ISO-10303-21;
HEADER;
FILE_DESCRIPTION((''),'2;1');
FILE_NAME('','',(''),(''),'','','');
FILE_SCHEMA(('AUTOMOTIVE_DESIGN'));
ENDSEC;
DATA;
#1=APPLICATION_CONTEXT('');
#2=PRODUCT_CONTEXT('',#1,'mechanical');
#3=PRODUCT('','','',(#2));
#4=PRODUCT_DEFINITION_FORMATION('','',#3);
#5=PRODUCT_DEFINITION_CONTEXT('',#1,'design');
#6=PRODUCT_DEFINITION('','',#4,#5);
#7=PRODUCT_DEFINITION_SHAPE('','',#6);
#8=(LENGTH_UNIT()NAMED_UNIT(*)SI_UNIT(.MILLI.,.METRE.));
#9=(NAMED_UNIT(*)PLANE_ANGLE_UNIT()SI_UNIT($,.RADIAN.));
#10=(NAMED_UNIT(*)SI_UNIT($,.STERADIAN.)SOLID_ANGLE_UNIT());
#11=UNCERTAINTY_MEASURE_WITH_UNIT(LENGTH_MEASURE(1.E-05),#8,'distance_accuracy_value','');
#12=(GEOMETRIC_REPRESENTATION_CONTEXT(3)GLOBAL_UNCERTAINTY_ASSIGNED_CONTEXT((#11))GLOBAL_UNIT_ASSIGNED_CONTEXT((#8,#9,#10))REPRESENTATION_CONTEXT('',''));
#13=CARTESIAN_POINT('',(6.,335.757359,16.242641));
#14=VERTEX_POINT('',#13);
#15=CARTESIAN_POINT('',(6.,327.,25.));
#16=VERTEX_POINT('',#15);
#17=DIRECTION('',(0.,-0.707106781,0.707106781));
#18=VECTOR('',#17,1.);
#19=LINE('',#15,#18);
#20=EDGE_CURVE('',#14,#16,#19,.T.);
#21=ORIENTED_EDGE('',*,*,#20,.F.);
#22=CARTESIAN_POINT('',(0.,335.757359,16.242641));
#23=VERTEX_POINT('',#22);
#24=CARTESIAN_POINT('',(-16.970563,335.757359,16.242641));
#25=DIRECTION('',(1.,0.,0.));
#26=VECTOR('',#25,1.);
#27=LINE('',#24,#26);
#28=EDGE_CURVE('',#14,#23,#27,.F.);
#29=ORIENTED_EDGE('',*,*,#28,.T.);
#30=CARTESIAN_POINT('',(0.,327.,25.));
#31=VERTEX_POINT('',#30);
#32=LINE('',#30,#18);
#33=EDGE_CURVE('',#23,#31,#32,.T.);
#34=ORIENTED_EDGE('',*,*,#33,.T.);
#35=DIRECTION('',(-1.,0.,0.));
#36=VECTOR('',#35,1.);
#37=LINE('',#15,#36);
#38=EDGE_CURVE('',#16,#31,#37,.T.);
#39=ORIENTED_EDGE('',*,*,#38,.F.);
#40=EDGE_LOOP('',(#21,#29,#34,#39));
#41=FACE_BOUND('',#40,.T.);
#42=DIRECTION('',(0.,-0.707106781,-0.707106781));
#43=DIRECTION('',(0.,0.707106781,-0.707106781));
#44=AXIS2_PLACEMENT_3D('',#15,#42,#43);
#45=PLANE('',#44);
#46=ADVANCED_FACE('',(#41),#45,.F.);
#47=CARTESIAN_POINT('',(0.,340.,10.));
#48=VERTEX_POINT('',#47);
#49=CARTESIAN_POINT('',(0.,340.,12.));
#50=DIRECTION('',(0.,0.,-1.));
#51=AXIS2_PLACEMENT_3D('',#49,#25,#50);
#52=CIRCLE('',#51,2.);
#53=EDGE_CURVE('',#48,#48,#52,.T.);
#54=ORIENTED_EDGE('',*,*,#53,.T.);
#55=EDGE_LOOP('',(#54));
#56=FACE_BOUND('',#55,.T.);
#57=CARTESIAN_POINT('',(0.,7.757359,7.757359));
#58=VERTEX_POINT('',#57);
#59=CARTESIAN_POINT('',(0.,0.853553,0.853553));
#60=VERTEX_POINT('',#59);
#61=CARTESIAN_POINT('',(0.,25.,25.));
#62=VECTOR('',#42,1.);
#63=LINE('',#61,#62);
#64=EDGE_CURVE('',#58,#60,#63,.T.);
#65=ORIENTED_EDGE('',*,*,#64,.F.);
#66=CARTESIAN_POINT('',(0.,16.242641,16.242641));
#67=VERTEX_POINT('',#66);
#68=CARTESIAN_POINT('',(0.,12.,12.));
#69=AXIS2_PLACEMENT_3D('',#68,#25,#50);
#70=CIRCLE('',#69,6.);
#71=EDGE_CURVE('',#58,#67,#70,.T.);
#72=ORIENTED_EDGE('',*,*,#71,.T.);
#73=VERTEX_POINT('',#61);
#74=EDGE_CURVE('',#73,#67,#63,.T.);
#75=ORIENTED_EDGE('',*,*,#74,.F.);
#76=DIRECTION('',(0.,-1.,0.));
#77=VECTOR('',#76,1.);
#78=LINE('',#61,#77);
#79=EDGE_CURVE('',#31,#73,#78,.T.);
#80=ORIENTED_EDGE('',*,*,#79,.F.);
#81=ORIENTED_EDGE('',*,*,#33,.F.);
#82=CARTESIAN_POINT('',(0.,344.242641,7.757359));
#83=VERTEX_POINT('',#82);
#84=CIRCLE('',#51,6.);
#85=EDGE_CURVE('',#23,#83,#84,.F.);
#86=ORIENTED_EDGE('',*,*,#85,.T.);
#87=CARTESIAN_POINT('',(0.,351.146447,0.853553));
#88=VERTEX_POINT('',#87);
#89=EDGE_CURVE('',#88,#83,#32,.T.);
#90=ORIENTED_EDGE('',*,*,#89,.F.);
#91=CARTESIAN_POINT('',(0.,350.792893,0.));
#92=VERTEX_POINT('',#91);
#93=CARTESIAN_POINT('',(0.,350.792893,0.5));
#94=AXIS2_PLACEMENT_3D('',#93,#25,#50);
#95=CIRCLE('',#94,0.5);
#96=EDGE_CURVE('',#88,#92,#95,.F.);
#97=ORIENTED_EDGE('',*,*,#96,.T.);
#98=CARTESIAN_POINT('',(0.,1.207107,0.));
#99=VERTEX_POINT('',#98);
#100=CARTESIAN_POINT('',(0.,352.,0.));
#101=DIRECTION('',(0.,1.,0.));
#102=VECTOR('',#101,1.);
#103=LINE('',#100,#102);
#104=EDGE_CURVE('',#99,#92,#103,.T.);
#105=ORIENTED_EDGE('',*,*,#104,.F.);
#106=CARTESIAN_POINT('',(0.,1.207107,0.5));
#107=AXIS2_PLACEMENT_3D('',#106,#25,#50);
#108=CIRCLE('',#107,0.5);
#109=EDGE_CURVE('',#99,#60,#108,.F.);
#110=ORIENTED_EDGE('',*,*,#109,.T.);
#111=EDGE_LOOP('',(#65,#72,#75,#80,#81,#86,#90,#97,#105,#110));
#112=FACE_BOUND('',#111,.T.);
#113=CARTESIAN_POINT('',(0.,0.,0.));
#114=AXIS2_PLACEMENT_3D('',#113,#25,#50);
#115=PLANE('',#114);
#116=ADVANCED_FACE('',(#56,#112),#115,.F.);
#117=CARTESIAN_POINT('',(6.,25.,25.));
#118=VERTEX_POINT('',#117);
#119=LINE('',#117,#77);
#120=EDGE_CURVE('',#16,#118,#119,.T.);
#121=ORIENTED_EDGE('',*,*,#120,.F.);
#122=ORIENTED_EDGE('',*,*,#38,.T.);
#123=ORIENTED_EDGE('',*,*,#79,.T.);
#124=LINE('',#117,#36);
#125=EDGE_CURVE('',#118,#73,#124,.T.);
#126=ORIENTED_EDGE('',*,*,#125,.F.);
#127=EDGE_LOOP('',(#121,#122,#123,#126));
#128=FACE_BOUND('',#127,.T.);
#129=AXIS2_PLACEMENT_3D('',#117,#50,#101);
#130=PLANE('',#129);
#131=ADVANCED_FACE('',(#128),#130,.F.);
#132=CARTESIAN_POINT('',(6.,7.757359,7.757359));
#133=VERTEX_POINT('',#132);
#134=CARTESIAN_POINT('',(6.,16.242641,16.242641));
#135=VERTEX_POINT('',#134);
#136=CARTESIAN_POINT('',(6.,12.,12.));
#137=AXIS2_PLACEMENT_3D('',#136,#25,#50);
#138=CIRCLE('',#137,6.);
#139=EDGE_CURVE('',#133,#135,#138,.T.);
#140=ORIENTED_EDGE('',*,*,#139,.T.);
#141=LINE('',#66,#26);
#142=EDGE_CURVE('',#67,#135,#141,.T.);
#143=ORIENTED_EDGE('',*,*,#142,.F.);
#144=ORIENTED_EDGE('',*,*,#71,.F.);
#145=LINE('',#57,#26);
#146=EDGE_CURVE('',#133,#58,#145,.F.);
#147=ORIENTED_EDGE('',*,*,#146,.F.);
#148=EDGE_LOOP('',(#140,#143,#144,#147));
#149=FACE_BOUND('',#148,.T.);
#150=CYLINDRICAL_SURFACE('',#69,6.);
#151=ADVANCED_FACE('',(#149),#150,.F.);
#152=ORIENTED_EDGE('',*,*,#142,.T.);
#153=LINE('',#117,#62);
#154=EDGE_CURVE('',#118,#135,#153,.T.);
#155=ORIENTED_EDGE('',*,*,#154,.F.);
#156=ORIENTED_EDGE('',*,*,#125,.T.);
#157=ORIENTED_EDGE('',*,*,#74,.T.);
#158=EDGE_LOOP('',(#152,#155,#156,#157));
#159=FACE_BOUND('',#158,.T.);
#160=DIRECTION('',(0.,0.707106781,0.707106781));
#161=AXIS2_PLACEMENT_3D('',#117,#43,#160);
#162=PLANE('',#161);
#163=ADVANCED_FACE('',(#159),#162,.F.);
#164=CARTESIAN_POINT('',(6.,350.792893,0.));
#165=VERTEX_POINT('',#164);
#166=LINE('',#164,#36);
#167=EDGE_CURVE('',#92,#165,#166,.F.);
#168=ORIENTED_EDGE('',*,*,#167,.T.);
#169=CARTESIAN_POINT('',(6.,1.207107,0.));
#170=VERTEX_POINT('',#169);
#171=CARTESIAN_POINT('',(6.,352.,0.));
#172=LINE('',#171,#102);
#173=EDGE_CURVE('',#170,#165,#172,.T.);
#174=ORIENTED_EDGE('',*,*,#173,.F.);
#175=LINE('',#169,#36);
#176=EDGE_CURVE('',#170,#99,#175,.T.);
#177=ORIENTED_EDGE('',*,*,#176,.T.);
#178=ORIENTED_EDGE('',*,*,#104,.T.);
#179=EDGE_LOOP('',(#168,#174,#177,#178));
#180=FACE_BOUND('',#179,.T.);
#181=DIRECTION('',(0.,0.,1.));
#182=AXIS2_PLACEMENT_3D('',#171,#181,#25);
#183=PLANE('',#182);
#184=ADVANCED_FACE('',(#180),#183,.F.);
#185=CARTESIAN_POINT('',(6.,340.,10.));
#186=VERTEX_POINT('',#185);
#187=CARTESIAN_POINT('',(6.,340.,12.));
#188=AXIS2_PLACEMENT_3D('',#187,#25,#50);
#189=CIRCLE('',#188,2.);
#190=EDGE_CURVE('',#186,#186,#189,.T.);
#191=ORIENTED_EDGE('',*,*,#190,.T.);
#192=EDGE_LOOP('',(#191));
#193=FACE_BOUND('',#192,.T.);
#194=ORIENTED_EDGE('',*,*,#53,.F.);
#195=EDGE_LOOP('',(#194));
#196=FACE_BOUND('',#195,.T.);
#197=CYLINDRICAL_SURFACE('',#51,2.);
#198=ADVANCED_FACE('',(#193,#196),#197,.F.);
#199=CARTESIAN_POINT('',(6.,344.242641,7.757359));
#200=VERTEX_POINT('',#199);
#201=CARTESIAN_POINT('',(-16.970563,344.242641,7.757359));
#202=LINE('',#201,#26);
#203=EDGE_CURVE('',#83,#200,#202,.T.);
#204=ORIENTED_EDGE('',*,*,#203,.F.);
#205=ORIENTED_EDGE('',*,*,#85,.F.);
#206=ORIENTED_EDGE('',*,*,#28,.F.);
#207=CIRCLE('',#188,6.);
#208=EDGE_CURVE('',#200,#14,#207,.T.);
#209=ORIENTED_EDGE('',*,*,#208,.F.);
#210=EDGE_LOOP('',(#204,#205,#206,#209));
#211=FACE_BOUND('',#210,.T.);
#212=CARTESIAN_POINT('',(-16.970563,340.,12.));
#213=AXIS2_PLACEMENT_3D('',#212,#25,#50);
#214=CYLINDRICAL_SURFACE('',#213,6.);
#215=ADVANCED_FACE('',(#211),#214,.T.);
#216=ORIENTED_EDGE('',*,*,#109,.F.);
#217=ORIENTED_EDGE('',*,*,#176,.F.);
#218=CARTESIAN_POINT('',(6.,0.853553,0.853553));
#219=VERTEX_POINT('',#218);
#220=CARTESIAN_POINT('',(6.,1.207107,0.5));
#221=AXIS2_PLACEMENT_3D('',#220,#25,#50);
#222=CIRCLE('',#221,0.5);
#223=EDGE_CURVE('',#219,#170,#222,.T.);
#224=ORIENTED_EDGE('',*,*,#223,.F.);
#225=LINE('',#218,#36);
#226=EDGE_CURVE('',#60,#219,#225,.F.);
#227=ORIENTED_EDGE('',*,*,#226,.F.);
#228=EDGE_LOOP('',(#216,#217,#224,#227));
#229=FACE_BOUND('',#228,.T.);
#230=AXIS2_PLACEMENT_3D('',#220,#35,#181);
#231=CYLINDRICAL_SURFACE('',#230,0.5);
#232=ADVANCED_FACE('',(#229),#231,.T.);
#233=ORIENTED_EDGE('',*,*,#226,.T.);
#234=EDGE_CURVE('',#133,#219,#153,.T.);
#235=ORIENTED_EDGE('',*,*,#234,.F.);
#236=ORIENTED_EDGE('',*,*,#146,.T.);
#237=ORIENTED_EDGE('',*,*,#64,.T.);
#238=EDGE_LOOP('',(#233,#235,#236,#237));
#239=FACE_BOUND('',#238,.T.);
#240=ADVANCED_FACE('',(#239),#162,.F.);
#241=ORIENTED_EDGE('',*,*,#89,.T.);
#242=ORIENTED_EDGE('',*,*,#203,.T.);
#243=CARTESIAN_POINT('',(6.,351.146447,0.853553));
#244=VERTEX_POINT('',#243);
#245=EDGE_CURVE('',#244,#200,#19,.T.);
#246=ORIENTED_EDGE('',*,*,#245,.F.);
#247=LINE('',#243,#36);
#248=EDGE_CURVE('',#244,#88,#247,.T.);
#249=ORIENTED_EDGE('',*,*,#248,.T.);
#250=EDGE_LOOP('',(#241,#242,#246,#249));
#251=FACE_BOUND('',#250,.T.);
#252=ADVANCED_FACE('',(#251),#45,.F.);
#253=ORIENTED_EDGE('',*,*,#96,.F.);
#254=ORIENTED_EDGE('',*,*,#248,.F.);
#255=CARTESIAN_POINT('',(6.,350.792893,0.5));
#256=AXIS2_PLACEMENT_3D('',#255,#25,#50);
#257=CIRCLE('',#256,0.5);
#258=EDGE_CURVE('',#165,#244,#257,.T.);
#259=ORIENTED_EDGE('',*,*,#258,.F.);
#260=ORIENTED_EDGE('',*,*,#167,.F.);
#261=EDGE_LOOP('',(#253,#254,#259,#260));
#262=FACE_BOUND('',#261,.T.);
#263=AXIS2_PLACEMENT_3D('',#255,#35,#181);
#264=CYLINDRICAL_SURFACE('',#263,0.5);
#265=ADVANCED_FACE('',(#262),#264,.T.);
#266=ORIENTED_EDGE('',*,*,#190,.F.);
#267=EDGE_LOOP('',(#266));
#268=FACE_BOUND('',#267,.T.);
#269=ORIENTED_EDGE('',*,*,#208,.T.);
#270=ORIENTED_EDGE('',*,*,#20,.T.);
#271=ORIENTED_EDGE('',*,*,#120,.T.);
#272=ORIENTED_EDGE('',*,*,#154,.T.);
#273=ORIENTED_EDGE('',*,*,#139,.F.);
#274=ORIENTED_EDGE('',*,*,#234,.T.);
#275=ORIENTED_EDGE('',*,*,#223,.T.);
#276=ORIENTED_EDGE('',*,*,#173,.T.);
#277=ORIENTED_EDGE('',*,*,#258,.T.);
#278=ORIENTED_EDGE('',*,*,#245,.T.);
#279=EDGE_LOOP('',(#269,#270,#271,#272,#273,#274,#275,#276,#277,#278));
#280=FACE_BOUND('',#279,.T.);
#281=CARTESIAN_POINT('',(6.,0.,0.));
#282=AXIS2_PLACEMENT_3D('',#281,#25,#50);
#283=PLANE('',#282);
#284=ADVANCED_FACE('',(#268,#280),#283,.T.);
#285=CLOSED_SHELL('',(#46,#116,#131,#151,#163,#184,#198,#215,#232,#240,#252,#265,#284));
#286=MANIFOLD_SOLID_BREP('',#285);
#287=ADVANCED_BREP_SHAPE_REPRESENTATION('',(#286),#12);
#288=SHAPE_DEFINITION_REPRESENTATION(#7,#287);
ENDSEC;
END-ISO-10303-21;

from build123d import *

# Parameters (mm, degrees)
BOSS_EXTRUDE1_DEPTH = 6
FILLET1_R           = 0.5
SKETCH4_R           = 6
BOSS_EXTRUDE2_DEPTH = 6
SKETCH3_R           = 2
SKETCH3_R_2         = 6
CUT_EXTRUDE1_DEPTH  = 353.232447151


with BuildPart() as part:
    # Sketch2 → Boss-Extrude1 (new body)
    with BuildSketch(Plane(origin=(0, 0, 0), x_dir=(0, 0, -1), z_dir=(1, 0, 0))):
        Polygon((0, 352), (0, 0), (-25, 25), (-25, 327), align=None)
    extrude(amount=BOSS_EXTRUDE1_DEPTH)

    # Fillet1
    fillet1_edges = [part.edges().sort_by_distance(p)[0] for p in [
        (3, 352, 0),
        (3, 0, 0),
    ]]
    fillet(fillet1_edges, radius=FILLET1_R)

    # Sketch4 → Boss-Extrude2 (add)
    with BuildSketch(Plane(origin=(6, 0, 0), x_dir=(0, 0, -1), z_dir=(1, 0, 0))):
        with Locations((-12, 340)):
            Circle(SKETCH4_R)
    extrude(amount=-BOSS_EXTRUDE2_DEPTH)

    # Sketch3 → Cut-Extrude1 (cut, through all)
    with BuildSketch(Plane(origin=(6, 0, 0), x_dir=(0, 0, -1), z_dir=(1, 0, 0))):
        with Locations((-12, 340)):
            Circle(SKETCH3_R)
        with Locations((-12, 12)):
            Circle(SKETCH3_R_2)
    extrude(amount=-CUT_EXTRUDE1_DEPTH, mode=Mode.SUBTRACT)


solid = part.part
